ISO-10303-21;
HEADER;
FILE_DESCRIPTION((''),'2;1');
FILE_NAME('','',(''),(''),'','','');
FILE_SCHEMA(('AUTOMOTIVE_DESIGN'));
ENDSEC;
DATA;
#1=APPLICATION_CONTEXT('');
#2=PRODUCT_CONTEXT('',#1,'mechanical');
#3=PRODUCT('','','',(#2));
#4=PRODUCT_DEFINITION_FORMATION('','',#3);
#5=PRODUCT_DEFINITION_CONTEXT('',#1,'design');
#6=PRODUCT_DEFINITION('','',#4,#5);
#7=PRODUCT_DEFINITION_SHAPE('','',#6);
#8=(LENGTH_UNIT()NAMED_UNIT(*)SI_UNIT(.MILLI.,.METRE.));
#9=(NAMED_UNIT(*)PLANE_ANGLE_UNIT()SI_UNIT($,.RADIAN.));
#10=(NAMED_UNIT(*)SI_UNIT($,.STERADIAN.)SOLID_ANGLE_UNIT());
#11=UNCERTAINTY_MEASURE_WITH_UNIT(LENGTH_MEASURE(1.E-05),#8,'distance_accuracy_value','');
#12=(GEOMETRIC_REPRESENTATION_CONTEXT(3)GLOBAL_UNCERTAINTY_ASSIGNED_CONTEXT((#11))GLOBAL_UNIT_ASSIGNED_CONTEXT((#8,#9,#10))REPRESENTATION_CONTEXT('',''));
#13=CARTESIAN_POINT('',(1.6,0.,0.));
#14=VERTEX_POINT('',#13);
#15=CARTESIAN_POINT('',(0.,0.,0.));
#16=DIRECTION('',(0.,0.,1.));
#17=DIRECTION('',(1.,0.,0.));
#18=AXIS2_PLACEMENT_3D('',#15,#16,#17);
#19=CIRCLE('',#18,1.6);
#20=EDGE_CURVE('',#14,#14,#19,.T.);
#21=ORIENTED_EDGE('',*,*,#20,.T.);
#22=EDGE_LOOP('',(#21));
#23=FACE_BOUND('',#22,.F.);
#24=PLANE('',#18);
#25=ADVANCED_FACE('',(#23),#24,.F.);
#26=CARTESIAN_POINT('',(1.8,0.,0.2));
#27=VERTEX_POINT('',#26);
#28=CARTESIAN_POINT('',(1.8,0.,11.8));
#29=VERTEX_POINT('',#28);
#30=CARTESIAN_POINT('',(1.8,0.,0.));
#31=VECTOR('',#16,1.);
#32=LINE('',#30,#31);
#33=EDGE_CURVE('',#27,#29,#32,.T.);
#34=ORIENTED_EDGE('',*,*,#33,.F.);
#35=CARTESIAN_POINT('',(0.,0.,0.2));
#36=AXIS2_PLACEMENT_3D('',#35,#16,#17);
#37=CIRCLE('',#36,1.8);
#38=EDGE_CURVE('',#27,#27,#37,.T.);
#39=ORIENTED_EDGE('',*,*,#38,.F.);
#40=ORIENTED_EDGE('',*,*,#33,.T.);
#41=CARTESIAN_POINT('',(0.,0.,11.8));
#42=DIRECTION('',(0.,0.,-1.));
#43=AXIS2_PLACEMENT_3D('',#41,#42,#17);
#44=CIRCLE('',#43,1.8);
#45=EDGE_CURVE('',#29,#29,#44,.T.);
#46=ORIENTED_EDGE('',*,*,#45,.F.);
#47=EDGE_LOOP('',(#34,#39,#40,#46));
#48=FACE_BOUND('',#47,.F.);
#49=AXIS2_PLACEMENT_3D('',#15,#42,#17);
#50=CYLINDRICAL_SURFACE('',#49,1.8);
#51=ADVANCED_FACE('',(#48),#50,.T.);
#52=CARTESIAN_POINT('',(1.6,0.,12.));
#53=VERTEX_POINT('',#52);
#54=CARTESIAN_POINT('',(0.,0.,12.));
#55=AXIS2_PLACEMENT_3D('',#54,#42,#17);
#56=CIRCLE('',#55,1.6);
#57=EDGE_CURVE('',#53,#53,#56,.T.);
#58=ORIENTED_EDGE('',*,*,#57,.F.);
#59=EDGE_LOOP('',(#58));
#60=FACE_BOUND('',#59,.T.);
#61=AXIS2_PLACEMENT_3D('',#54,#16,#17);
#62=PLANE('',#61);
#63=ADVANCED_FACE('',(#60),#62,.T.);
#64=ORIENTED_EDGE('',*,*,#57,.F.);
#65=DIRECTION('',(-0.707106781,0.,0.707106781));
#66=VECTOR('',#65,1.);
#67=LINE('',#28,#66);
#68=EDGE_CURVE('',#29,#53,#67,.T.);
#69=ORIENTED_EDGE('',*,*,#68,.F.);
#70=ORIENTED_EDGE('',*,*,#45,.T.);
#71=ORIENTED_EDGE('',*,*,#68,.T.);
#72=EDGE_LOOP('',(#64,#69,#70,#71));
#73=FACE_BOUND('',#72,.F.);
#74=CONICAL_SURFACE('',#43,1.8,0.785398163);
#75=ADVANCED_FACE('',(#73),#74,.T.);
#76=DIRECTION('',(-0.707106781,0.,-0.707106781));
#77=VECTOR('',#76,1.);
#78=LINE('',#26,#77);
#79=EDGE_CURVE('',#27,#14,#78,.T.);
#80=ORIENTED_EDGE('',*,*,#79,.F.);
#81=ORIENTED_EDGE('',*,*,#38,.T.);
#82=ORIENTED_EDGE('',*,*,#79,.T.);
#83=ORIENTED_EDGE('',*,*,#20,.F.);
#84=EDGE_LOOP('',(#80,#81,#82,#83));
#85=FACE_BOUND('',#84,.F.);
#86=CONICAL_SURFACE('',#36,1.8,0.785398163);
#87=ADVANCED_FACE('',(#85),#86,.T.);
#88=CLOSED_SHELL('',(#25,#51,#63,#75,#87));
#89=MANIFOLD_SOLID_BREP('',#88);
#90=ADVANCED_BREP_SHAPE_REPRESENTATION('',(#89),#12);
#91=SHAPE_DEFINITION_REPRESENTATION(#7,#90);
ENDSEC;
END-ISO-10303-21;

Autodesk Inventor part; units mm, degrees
ref_plane "YZ-Ebene" through (0, 0, 0) normal (1, 0, 0) x (0, 1, 0)
ref_plane "XZ-Ebene" through (0, 0, 0) normal (0, 1, 0) x (-1, 0, 0)
ref_plane "XY-Ebene" through (0, 0, 0) normal (0, 0, 1) x (1, 0, 0)
sketch "Skizze1" plane through (0, 0, 0) normal (0, 0, 1) x (1, 0, 0)
  line L0 (-2.52, 0) -> (2.52, 0) projected
  line L1 (0, -2.52) -> (0, 2.52) projected
  circle A0 centre (0, 0) radius 1.8
  dimension "d0" = 3.6
extrude "Extrusion1" add sketch "Skizze1" along normal blind 12
chamfer "Fase1" distance 0.2 angle 45 2 edges at (-1.8, 0, 12) (-1.8, 0, 0)
properties part number "Kolbenbolzen_ra8846s" material "Stahl, unlegiert"
